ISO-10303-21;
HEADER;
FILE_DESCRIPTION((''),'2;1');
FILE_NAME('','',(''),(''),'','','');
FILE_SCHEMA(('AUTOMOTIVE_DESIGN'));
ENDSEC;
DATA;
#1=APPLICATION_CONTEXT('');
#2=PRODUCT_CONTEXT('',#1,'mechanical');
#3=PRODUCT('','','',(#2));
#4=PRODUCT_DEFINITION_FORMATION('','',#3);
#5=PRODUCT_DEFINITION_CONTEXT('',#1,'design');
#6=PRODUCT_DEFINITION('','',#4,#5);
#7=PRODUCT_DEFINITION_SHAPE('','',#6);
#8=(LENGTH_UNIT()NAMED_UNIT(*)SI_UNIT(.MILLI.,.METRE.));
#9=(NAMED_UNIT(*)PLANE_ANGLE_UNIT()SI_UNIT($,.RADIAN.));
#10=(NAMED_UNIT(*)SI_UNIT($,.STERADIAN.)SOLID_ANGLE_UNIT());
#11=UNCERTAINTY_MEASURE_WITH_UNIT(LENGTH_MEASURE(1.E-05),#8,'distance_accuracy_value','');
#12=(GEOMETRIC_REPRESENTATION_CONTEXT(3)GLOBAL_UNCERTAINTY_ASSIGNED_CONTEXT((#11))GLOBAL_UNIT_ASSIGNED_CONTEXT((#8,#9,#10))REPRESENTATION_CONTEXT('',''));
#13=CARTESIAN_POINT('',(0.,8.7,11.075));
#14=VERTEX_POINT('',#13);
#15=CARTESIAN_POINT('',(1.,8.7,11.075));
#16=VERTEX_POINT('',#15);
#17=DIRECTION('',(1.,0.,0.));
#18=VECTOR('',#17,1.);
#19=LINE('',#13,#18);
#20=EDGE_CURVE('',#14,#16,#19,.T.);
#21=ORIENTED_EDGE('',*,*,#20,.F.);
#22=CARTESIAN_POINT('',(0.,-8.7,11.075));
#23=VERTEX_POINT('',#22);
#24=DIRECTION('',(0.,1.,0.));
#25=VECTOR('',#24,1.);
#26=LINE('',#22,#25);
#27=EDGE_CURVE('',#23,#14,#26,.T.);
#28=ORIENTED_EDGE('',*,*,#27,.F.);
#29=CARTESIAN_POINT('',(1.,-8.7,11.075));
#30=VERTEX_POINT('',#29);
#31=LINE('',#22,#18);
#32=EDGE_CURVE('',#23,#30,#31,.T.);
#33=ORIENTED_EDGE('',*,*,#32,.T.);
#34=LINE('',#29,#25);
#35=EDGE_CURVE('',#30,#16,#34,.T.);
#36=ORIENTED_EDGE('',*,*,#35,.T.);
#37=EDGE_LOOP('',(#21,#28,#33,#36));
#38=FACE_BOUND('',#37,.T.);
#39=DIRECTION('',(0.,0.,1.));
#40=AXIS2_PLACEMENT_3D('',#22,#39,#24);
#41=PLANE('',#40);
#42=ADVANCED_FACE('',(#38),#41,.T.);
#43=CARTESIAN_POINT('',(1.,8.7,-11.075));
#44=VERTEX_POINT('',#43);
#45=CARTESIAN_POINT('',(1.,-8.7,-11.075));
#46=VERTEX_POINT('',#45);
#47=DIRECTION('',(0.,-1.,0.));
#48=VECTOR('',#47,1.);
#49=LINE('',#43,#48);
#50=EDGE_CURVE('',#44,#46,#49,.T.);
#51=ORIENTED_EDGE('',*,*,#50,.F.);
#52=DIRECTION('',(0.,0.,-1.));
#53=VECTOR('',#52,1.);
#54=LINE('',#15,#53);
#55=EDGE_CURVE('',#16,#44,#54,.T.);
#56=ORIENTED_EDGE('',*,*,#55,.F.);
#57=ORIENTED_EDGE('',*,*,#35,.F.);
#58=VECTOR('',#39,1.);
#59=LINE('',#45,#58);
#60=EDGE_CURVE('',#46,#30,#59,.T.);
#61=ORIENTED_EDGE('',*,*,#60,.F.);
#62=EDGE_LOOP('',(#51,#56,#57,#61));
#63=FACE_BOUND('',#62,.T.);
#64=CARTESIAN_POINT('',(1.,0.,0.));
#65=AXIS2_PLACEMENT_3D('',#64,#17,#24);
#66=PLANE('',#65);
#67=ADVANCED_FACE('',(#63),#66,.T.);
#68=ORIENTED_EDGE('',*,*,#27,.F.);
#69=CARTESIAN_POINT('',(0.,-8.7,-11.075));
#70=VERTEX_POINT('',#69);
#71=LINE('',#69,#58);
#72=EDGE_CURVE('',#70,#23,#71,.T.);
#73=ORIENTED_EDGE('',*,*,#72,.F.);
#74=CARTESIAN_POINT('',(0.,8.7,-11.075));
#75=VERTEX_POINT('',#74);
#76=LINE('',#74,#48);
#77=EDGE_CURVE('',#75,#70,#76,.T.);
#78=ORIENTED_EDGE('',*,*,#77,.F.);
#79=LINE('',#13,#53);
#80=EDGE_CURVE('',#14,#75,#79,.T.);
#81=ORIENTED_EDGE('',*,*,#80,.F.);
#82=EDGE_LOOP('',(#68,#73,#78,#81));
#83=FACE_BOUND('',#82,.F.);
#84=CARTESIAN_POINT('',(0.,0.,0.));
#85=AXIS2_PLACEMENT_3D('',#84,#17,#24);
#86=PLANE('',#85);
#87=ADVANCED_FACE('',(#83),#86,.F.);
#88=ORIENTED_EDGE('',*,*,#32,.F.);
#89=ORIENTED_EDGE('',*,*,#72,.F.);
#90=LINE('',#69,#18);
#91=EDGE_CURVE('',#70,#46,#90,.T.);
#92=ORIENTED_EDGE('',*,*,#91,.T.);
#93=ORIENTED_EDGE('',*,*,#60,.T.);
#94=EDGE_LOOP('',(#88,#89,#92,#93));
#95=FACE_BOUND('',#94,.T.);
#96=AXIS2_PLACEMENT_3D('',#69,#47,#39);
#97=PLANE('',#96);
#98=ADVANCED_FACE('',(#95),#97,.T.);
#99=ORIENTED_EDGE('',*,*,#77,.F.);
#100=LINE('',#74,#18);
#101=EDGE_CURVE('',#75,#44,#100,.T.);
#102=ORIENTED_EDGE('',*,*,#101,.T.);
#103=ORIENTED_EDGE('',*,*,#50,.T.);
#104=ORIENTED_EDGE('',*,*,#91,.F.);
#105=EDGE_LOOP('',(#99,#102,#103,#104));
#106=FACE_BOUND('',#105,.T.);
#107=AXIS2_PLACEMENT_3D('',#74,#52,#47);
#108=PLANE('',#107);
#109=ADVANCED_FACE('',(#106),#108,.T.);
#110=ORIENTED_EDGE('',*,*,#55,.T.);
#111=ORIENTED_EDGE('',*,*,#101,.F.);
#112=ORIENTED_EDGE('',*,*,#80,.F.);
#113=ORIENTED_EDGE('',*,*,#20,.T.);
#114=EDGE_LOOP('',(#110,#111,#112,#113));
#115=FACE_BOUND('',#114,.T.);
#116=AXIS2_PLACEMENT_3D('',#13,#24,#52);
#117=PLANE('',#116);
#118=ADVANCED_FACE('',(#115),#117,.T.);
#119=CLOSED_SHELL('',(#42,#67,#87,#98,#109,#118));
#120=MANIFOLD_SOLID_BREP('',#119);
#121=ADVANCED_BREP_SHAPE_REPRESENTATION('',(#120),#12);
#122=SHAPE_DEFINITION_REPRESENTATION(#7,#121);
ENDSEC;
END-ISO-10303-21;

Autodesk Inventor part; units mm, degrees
ref_plane "YZ Plane" through (0, 0, 0) normal (1, 0, 0) x (0, 1, 0)
ref_plane "XZ Plane" through (0, 0, 0) normal (0, 1, 0) x (-1, 0, 0)
ref_plane "XY Plane" through (0, 0, 0) normal (0, 0, 1) x (1, 0, 0)
sketch "Sketch1" plane through (0, 0, 0) normal (1, 0, 0) x (0, 1, 0)
  line L0 (-8.7, 11.075) -> (8.7, 11.075)
  line L1 (8.7, 11.075) -> (8.7, -11.075)
  line L2 (8.7, -11.075) -> (-8.7, -11.075)
  line L3 (-8.7, -11.075) -> (-8.7, 11.075)
  line L4 (-8.7, 11.075) -> (8.7, -11.075) construction
  line L5 (8.7, 11.075) -> (-8.7, -11.075) construction
  point P0 (0, 0)
  dimension "d0" = 17.4
  dimension "d1" = 22.15
extrude "Extrusion1" add sketch "Sketch1" along normal blind 1
properties part number "BatteryChargerCKT"
